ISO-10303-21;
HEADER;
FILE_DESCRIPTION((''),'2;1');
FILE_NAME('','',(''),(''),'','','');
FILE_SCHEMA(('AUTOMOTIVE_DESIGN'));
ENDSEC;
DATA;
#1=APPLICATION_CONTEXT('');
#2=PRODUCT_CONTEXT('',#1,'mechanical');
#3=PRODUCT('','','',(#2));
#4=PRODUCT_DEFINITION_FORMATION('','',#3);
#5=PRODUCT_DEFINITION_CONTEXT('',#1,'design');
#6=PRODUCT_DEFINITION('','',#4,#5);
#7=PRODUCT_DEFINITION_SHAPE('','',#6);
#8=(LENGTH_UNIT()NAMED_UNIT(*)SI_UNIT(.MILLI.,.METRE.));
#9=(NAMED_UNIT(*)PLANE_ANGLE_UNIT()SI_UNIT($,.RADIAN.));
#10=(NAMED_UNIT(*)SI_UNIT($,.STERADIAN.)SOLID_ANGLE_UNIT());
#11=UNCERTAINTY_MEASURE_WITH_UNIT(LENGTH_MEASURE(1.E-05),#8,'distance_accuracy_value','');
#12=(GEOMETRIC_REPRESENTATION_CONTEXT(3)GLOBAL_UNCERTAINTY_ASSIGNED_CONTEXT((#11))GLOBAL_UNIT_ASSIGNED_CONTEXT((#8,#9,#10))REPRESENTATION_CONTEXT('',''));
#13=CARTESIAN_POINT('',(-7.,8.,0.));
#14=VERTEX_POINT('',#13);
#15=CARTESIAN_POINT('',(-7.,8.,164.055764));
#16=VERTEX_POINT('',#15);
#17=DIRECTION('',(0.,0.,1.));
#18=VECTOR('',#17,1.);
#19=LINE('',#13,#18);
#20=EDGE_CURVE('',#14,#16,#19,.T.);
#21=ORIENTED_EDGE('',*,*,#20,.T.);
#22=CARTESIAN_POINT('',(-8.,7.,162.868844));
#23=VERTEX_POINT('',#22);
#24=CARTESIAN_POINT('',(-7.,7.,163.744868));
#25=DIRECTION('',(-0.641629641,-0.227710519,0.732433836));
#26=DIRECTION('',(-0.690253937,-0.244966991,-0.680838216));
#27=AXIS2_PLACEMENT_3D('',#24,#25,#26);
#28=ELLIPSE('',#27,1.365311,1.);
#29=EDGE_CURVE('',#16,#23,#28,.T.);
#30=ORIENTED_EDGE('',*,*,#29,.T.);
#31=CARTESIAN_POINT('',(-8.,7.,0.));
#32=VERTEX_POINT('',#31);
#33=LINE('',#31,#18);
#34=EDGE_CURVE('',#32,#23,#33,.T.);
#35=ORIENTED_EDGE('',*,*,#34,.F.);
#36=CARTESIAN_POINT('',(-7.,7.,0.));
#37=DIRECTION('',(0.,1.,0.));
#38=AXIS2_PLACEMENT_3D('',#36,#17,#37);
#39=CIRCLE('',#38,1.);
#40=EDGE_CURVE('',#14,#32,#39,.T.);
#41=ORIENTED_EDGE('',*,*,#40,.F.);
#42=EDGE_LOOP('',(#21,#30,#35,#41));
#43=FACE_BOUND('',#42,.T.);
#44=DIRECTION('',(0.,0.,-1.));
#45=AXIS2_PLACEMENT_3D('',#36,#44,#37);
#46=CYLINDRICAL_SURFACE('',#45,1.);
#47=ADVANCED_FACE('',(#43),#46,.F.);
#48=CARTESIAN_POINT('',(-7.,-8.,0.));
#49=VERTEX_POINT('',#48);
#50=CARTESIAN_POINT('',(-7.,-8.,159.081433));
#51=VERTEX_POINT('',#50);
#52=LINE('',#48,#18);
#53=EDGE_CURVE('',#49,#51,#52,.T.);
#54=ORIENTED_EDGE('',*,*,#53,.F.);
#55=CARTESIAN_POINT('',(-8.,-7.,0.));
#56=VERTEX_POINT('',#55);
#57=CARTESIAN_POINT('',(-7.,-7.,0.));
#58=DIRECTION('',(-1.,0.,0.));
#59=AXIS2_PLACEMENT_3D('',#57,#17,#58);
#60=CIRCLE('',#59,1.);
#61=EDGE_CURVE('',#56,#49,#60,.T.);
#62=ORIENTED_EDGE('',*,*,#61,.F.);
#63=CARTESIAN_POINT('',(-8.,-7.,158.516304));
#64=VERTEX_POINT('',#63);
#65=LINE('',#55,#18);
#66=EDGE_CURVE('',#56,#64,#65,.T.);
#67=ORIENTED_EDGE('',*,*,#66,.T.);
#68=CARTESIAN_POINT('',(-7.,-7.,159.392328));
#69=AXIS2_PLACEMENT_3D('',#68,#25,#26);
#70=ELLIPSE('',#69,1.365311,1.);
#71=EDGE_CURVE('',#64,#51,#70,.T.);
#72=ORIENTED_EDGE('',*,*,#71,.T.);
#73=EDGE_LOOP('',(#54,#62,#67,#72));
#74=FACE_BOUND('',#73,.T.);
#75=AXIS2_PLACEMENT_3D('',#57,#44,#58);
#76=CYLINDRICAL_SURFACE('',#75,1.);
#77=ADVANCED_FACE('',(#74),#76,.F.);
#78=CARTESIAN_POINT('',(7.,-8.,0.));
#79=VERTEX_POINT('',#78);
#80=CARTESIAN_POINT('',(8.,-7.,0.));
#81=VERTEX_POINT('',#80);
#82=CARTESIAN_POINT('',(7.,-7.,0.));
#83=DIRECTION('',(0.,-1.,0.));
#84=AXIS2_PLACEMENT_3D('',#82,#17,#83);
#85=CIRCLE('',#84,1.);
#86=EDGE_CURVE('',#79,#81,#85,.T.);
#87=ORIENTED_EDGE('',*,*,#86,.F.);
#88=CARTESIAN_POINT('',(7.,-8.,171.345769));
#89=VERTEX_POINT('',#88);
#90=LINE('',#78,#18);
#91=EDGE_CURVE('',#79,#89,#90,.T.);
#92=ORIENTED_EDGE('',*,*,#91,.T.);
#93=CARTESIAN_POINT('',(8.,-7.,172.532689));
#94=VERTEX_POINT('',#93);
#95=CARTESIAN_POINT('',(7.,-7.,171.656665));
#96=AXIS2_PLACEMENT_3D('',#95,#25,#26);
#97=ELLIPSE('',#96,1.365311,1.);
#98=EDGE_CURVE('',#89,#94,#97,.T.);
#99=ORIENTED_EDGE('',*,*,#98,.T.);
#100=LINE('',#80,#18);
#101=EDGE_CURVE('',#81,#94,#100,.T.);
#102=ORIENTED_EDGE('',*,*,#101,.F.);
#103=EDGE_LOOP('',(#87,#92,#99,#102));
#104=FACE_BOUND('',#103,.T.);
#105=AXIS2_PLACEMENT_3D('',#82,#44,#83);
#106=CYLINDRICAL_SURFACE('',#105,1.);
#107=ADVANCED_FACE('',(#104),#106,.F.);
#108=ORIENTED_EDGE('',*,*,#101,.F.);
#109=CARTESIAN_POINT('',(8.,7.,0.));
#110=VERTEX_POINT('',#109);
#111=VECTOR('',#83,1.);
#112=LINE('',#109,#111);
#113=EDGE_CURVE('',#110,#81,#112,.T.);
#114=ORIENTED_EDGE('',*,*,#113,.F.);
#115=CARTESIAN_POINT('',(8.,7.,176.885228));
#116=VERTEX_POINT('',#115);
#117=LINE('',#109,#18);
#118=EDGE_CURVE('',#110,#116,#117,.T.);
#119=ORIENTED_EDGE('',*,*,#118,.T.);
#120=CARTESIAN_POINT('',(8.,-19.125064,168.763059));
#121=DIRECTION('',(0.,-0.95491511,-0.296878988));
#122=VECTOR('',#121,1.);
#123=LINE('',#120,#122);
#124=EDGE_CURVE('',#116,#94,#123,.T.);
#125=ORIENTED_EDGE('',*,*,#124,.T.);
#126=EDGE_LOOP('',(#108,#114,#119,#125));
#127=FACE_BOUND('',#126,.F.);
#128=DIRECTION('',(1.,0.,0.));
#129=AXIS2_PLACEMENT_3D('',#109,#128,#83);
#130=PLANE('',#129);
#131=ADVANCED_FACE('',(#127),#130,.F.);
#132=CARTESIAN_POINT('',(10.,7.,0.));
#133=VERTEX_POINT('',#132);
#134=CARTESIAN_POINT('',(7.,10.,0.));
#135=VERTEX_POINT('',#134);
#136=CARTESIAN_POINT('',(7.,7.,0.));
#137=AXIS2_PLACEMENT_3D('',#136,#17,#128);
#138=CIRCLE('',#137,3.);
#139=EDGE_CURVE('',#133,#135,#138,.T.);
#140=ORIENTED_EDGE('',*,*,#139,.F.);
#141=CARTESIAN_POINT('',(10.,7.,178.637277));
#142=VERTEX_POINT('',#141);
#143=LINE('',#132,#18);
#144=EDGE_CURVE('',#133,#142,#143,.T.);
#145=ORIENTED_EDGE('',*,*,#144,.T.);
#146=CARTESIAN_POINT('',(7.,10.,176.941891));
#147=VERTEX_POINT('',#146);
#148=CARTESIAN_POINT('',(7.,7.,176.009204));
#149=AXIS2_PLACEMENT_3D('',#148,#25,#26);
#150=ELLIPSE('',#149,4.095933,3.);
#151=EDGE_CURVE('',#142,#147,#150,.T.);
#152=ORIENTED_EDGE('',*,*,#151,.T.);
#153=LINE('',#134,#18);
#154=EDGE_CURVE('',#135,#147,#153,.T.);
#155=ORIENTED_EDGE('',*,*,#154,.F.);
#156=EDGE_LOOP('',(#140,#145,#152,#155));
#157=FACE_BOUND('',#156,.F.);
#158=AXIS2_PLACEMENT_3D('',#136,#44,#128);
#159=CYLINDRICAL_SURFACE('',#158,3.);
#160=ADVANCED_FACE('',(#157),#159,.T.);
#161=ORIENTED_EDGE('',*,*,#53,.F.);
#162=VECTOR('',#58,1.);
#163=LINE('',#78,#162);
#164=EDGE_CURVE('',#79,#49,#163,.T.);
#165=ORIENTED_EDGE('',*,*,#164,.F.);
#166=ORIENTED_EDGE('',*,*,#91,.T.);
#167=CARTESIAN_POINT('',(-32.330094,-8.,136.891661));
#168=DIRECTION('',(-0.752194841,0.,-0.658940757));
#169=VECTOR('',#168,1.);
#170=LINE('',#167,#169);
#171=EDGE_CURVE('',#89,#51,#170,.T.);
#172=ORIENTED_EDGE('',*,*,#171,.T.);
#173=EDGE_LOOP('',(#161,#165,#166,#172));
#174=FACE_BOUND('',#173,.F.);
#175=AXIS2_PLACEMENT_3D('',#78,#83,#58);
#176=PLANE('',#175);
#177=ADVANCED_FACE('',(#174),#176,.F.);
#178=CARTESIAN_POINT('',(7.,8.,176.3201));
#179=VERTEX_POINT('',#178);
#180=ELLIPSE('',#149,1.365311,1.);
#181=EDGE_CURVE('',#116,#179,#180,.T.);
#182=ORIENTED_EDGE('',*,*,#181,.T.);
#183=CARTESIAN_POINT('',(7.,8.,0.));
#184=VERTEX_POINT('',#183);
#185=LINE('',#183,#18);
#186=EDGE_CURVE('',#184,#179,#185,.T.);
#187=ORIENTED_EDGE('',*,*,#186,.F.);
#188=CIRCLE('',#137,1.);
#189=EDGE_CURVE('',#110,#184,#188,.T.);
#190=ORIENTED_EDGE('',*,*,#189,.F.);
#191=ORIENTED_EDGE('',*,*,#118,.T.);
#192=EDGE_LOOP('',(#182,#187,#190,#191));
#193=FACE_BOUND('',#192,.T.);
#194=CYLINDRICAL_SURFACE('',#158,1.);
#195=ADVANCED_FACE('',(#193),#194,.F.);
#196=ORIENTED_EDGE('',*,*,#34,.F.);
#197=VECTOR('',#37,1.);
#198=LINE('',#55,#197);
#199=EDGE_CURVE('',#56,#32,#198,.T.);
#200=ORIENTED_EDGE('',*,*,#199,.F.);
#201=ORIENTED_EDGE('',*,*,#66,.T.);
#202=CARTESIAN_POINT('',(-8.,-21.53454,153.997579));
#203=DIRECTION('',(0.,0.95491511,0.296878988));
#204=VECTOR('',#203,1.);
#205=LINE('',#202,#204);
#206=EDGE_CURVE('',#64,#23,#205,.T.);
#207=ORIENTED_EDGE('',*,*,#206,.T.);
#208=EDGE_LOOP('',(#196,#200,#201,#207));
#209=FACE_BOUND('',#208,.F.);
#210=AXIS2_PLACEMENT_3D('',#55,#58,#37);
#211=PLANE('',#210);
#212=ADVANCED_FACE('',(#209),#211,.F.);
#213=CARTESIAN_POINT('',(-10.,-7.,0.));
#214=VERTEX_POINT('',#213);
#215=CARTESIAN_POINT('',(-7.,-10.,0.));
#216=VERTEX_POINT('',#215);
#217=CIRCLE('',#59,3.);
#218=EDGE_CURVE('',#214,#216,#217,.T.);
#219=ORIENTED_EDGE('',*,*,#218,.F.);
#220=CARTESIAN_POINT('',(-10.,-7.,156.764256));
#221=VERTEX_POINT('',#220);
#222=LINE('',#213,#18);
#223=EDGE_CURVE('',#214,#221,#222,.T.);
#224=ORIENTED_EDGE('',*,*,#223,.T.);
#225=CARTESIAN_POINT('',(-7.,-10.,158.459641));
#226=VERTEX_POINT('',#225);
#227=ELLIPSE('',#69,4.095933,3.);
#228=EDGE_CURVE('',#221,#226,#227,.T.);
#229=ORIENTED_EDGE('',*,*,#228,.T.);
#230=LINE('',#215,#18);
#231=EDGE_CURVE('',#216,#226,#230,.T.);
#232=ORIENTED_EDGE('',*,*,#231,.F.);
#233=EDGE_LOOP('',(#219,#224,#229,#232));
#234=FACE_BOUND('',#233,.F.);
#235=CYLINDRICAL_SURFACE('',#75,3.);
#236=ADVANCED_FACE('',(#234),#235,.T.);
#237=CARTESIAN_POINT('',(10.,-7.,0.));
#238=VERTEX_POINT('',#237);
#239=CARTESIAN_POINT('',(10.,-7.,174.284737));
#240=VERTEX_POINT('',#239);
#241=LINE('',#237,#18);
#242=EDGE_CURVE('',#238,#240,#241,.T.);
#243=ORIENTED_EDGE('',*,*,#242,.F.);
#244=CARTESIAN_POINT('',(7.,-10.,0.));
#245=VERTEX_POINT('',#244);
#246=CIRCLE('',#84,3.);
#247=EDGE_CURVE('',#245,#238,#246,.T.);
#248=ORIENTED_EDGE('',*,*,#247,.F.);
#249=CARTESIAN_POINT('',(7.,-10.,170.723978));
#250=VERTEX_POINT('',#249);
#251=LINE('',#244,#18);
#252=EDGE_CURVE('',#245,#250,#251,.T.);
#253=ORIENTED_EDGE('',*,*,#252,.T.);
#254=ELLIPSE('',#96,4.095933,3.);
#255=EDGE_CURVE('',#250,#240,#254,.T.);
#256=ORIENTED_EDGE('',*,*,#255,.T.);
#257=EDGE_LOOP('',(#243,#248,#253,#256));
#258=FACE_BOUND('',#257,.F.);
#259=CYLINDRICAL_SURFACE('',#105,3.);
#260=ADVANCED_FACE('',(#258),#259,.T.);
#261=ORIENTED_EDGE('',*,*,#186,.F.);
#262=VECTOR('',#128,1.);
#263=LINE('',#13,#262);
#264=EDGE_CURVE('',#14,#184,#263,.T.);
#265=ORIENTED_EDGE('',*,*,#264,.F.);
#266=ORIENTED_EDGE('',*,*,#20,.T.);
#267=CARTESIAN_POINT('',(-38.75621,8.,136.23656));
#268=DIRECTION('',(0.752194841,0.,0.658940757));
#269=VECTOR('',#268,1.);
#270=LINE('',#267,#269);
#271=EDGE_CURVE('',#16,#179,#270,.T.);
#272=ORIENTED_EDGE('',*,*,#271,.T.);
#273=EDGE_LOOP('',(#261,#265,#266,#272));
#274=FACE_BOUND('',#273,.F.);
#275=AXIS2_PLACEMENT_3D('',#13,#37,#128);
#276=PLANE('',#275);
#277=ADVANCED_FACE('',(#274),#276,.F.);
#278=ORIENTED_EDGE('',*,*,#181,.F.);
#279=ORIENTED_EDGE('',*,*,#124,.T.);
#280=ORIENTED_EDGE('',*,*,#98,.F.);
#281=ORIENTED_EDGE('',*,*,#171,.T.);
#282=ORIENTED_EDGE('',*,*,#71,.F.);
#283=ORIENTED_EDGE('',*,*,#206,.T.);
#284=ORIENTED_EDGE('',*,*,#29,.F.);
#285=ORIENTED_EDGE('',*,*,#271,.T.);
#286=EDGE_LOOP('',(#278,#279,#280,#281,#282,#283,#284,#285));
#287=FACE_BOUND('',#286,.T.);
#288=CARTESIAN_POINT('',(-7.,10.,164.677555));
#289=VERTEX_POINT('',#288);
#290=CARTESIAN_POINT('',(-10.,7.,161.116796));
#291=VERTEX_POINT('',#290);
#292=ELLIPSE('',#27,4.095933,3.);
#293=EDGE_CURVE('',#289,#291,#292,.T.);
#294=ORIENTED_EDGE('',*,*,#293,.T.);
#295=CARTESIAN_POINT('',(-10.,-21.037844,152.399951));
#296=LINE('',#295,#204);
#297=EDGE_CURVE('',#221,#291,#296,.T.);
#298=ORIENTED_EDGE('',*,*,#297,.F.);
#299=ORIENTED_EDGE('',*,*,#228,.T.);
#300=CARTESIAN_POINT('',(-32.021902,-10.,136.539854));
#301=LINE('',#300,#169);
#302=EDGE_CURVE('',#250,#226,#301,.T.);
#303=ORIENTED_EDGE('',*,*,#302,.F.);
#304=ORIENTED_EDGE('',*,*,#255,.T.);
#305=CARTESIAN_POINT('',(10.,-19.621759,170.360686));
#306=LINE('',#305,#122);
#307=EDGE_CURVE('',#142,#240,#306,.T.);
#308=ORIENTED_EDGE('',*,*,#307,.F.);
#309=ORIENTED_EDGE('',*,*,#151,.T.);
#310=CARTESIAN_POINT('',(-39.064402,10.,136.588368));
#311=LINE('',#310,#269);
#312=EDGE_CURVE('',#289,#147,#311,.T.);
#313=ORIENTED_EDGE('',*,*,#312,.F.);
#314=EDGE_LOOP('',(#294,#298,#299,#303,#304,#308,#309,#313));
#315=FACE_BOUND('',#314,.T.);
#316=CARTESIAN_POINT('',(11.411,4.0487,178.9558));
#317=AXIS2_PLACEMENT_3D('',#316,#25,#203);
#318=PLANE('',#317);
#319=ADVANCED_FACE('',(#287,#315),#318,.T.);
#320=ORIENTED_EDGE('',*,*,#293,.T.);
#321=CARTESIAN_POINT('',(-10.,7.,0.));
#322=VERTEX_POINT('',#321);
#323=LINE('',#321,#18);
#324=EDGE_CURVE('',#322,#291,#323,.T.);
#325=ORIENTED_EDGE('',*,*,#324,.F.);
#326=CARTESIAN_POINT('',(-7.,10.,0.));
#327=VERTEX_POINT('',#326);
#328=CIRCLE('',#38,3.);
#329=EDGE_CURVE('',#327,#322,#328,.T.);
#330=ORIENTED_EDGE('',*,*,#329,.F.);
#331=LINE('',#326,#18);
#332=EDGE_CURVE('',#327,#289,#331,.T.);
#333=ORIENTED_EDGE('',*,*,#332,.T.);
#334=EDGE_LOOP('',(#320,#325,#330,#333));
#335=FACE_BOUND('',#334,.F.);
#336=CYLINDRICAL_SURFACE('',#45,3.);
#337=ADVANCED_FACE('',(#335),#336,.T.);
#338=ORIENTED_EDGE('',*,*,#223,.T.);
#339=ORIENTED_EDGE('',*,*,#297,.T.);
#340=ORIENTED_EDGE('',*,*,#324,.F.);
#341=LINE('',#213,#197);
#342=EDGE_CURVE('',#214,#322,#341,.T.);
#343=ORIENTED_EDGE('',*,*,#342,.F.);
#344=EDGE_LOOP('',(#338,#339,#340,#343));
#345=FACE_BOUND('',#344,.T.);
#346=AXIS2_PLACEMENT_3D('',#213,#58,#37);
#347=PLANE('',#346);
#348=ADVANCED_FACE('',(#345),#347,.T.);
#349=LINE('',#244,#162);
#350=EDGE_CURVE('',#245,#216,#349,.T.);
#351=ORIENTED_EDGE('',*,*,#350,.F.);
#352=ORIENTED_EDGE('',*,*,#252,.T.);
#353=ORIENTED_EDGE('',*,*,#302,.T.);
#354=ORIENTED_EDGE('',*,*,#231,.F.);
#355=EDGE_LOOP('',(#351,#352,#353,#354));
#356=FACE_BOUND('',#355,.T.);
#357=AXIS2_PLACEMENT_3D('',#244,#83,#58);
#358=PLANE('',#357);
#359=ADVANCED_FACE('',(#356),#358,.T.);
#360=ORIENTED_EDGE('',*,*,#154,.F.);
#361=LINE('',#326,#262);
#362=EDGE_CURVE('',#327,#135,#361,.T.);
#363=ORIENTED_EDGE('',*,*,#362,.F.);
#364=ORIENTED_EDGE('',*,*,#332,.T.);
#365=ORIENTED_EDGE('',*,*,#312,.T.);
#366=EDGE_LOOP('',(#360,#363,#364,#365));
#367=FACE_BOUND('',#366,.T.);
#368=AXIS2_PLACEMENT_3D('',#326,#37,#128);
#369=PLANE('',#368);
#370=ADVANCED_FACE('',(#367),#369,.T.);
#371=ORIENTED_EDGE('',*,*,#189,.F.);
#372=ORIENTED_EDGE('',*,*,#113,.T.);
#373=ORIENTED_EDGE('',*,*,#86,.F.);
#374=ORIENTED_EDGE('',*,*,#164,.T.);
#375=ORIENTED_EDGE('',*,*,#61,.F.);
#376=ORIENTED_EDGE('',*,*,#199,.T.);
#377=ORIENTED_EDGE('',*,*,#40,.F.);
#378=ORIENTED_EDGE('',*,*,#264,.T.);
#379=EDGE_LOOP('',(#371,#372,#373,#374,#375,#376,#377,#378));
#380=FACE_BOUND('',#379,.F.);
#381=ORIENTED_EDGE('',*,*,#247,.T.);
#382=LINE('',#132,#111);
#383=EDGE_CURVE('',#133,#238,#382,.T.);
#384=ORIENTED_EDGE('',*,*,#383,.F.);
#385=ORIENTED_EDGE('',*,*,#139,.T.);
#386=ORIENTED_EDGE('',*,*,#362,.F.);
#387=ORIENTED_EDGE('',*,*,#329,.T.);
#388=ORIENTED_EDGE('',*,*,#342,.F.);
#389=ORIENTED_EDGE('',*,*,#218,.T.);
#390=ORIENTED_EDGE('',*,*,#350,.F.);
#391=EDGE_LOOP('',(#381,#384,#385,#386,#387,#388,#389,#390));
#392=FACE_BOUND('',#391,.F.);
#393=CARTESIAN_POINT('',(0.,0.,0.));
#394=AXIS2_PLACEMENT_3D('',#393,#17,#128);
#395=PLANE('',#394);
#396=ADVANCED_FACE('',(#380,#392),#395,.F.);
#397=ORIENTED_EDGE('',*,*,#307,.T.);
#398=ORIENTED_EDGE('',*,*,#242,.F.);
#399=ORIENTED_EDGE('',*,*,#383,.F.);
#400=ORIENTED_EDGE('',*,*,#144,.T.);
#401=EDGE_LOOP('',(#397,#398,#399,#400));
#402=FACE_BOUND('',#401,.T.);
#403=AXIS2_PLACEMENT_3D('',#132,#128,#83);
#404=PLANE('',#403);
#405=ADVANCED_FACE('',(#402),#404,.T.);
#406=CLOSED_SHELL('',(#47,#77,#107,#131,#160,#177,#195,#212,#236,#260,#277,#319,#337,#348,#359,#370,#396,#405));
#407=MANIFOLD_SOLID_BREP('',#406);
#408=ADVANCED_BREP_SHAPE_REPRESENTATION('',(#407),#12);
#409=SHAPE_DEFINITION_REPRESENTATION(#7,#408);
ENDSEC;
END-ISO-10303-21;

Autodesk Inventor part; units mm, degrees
ref_plane "Start Plane" through (0, 0, 0) normal (0, 0, 1) x (1, 0, 0)
ref_plane "End Plane" through (0, 0, 179.5695) normal (0, 0, 1) x (1, 0, 0)
sketch "Sketch" plane through (0, 0, 0) normal (0, 0, 1) x (1, 0, 0)
  line L0 (-10, -7) -> (-10, 7)
  line L1 (-7, 10) -> (7, 10)
  line L2 (10, 7) -> (10, -7)
  line L3 (7, -10) -> (-7, -10)
  arc A0 (-10, -7) -> (-7, -10) centre (-7, -7) ccw
  arc A1 (-7, 10) -> (-10, 7) centre (-7, 7) ccw
  arc A2 (10, 7) -> (7, 10) centre (7, 7) ccw
  arc A3 (7, -10) -> (10, -7) centre (7, -7) ccw
  arc A4 (-7, 8) -> (-8, 7) centre (-7, 7) ccw
  line L4 (-7, 8) -> (7, 8)
  arc A5 (8, 7) -> (7, 8) centre (7, 7) ccw
  line L5 (8, 7) -> (8, -7)
  arc A6 (7, -8) -> (8, -7) centre (7, -7) ccw
  line L6 (7, -8) -> (-7, -8)
  arc A7 (-8, -7) -> (-7, -8) centre (-7, -7) ccw
  line L7 (-8, -7) -> (-8, 7)
  line L8 (0, 14.8698) -> (0, -14.8698) construction
  line L9 (-14.8698, 0) -> (14.8698, 0) construction
  dimension "d7" = 3
  dimension "d10" = 20
  dimension "d11" = 20
  dimension "d12" = 2
  dimension "d15" = 10
  dimension "d16" = 10
extrude "Body" add sketch "Sketch" along normal up to surface (179.5695 mm away) from surface at 0
sketch "Sketch3" plane through (0, 0, 0) normal (0, 0, 1) x (1, 0, 0)
  line L0 (0, 0) -> (10, 0)
ref_plane "Work Plane3" through (0, 0, 0) normal (0, -1, 0) x (1, 0, 0)
sketch "Sketch4" plane through (0, 0, 0) normal (0, -1, 0) x (1, 0, 0)
  line L0 (-2, 0) -> (12, 0)
  line L1 (-2, 179.5695) -> (12, 179.5695)
  dimension "d18" = 179.5695
ref_plane "Work Plane4" through (11.411, 4.0487, 178.9558) normal (-0.6416, -0.2277, 0.7324) x (0.7624, -0.0843, 0.6416)
split "Split1" plane through (11.411, 4.0487, 178.9558) removes the side toward (-0.6416, -0.2277, 0.7324)
equation "\"d7\" = G_IR"
equation "\"d10\" = G_H"
equation "\"d11\" = G_W"
equation "\"d12\" = G_T"
equation "\"d15\" = 0.5 * d10"
equation "\"d16\" = 0.5 * d11"
equation "\"d3\" = G_L"
equation "\"G_W\" = 20"
equation "\"G_H\" = 20"
equation "\"G_T\" = 2"
equation "\"G_IR\" = 3"
equation "\"G_L\" = 178.63708"
equation "\"G_OFFSET_START\" = 0"
equation "\"G_OFFSET_END\" = 11.52709"
equation "\"d14\" = G_OFFSET_END + B_L"
equation "\"B_L\" = 168.04246"
properties part number "ISO 12633-2 - 20x20x2 - 178.64" material "Steel, Mild"
